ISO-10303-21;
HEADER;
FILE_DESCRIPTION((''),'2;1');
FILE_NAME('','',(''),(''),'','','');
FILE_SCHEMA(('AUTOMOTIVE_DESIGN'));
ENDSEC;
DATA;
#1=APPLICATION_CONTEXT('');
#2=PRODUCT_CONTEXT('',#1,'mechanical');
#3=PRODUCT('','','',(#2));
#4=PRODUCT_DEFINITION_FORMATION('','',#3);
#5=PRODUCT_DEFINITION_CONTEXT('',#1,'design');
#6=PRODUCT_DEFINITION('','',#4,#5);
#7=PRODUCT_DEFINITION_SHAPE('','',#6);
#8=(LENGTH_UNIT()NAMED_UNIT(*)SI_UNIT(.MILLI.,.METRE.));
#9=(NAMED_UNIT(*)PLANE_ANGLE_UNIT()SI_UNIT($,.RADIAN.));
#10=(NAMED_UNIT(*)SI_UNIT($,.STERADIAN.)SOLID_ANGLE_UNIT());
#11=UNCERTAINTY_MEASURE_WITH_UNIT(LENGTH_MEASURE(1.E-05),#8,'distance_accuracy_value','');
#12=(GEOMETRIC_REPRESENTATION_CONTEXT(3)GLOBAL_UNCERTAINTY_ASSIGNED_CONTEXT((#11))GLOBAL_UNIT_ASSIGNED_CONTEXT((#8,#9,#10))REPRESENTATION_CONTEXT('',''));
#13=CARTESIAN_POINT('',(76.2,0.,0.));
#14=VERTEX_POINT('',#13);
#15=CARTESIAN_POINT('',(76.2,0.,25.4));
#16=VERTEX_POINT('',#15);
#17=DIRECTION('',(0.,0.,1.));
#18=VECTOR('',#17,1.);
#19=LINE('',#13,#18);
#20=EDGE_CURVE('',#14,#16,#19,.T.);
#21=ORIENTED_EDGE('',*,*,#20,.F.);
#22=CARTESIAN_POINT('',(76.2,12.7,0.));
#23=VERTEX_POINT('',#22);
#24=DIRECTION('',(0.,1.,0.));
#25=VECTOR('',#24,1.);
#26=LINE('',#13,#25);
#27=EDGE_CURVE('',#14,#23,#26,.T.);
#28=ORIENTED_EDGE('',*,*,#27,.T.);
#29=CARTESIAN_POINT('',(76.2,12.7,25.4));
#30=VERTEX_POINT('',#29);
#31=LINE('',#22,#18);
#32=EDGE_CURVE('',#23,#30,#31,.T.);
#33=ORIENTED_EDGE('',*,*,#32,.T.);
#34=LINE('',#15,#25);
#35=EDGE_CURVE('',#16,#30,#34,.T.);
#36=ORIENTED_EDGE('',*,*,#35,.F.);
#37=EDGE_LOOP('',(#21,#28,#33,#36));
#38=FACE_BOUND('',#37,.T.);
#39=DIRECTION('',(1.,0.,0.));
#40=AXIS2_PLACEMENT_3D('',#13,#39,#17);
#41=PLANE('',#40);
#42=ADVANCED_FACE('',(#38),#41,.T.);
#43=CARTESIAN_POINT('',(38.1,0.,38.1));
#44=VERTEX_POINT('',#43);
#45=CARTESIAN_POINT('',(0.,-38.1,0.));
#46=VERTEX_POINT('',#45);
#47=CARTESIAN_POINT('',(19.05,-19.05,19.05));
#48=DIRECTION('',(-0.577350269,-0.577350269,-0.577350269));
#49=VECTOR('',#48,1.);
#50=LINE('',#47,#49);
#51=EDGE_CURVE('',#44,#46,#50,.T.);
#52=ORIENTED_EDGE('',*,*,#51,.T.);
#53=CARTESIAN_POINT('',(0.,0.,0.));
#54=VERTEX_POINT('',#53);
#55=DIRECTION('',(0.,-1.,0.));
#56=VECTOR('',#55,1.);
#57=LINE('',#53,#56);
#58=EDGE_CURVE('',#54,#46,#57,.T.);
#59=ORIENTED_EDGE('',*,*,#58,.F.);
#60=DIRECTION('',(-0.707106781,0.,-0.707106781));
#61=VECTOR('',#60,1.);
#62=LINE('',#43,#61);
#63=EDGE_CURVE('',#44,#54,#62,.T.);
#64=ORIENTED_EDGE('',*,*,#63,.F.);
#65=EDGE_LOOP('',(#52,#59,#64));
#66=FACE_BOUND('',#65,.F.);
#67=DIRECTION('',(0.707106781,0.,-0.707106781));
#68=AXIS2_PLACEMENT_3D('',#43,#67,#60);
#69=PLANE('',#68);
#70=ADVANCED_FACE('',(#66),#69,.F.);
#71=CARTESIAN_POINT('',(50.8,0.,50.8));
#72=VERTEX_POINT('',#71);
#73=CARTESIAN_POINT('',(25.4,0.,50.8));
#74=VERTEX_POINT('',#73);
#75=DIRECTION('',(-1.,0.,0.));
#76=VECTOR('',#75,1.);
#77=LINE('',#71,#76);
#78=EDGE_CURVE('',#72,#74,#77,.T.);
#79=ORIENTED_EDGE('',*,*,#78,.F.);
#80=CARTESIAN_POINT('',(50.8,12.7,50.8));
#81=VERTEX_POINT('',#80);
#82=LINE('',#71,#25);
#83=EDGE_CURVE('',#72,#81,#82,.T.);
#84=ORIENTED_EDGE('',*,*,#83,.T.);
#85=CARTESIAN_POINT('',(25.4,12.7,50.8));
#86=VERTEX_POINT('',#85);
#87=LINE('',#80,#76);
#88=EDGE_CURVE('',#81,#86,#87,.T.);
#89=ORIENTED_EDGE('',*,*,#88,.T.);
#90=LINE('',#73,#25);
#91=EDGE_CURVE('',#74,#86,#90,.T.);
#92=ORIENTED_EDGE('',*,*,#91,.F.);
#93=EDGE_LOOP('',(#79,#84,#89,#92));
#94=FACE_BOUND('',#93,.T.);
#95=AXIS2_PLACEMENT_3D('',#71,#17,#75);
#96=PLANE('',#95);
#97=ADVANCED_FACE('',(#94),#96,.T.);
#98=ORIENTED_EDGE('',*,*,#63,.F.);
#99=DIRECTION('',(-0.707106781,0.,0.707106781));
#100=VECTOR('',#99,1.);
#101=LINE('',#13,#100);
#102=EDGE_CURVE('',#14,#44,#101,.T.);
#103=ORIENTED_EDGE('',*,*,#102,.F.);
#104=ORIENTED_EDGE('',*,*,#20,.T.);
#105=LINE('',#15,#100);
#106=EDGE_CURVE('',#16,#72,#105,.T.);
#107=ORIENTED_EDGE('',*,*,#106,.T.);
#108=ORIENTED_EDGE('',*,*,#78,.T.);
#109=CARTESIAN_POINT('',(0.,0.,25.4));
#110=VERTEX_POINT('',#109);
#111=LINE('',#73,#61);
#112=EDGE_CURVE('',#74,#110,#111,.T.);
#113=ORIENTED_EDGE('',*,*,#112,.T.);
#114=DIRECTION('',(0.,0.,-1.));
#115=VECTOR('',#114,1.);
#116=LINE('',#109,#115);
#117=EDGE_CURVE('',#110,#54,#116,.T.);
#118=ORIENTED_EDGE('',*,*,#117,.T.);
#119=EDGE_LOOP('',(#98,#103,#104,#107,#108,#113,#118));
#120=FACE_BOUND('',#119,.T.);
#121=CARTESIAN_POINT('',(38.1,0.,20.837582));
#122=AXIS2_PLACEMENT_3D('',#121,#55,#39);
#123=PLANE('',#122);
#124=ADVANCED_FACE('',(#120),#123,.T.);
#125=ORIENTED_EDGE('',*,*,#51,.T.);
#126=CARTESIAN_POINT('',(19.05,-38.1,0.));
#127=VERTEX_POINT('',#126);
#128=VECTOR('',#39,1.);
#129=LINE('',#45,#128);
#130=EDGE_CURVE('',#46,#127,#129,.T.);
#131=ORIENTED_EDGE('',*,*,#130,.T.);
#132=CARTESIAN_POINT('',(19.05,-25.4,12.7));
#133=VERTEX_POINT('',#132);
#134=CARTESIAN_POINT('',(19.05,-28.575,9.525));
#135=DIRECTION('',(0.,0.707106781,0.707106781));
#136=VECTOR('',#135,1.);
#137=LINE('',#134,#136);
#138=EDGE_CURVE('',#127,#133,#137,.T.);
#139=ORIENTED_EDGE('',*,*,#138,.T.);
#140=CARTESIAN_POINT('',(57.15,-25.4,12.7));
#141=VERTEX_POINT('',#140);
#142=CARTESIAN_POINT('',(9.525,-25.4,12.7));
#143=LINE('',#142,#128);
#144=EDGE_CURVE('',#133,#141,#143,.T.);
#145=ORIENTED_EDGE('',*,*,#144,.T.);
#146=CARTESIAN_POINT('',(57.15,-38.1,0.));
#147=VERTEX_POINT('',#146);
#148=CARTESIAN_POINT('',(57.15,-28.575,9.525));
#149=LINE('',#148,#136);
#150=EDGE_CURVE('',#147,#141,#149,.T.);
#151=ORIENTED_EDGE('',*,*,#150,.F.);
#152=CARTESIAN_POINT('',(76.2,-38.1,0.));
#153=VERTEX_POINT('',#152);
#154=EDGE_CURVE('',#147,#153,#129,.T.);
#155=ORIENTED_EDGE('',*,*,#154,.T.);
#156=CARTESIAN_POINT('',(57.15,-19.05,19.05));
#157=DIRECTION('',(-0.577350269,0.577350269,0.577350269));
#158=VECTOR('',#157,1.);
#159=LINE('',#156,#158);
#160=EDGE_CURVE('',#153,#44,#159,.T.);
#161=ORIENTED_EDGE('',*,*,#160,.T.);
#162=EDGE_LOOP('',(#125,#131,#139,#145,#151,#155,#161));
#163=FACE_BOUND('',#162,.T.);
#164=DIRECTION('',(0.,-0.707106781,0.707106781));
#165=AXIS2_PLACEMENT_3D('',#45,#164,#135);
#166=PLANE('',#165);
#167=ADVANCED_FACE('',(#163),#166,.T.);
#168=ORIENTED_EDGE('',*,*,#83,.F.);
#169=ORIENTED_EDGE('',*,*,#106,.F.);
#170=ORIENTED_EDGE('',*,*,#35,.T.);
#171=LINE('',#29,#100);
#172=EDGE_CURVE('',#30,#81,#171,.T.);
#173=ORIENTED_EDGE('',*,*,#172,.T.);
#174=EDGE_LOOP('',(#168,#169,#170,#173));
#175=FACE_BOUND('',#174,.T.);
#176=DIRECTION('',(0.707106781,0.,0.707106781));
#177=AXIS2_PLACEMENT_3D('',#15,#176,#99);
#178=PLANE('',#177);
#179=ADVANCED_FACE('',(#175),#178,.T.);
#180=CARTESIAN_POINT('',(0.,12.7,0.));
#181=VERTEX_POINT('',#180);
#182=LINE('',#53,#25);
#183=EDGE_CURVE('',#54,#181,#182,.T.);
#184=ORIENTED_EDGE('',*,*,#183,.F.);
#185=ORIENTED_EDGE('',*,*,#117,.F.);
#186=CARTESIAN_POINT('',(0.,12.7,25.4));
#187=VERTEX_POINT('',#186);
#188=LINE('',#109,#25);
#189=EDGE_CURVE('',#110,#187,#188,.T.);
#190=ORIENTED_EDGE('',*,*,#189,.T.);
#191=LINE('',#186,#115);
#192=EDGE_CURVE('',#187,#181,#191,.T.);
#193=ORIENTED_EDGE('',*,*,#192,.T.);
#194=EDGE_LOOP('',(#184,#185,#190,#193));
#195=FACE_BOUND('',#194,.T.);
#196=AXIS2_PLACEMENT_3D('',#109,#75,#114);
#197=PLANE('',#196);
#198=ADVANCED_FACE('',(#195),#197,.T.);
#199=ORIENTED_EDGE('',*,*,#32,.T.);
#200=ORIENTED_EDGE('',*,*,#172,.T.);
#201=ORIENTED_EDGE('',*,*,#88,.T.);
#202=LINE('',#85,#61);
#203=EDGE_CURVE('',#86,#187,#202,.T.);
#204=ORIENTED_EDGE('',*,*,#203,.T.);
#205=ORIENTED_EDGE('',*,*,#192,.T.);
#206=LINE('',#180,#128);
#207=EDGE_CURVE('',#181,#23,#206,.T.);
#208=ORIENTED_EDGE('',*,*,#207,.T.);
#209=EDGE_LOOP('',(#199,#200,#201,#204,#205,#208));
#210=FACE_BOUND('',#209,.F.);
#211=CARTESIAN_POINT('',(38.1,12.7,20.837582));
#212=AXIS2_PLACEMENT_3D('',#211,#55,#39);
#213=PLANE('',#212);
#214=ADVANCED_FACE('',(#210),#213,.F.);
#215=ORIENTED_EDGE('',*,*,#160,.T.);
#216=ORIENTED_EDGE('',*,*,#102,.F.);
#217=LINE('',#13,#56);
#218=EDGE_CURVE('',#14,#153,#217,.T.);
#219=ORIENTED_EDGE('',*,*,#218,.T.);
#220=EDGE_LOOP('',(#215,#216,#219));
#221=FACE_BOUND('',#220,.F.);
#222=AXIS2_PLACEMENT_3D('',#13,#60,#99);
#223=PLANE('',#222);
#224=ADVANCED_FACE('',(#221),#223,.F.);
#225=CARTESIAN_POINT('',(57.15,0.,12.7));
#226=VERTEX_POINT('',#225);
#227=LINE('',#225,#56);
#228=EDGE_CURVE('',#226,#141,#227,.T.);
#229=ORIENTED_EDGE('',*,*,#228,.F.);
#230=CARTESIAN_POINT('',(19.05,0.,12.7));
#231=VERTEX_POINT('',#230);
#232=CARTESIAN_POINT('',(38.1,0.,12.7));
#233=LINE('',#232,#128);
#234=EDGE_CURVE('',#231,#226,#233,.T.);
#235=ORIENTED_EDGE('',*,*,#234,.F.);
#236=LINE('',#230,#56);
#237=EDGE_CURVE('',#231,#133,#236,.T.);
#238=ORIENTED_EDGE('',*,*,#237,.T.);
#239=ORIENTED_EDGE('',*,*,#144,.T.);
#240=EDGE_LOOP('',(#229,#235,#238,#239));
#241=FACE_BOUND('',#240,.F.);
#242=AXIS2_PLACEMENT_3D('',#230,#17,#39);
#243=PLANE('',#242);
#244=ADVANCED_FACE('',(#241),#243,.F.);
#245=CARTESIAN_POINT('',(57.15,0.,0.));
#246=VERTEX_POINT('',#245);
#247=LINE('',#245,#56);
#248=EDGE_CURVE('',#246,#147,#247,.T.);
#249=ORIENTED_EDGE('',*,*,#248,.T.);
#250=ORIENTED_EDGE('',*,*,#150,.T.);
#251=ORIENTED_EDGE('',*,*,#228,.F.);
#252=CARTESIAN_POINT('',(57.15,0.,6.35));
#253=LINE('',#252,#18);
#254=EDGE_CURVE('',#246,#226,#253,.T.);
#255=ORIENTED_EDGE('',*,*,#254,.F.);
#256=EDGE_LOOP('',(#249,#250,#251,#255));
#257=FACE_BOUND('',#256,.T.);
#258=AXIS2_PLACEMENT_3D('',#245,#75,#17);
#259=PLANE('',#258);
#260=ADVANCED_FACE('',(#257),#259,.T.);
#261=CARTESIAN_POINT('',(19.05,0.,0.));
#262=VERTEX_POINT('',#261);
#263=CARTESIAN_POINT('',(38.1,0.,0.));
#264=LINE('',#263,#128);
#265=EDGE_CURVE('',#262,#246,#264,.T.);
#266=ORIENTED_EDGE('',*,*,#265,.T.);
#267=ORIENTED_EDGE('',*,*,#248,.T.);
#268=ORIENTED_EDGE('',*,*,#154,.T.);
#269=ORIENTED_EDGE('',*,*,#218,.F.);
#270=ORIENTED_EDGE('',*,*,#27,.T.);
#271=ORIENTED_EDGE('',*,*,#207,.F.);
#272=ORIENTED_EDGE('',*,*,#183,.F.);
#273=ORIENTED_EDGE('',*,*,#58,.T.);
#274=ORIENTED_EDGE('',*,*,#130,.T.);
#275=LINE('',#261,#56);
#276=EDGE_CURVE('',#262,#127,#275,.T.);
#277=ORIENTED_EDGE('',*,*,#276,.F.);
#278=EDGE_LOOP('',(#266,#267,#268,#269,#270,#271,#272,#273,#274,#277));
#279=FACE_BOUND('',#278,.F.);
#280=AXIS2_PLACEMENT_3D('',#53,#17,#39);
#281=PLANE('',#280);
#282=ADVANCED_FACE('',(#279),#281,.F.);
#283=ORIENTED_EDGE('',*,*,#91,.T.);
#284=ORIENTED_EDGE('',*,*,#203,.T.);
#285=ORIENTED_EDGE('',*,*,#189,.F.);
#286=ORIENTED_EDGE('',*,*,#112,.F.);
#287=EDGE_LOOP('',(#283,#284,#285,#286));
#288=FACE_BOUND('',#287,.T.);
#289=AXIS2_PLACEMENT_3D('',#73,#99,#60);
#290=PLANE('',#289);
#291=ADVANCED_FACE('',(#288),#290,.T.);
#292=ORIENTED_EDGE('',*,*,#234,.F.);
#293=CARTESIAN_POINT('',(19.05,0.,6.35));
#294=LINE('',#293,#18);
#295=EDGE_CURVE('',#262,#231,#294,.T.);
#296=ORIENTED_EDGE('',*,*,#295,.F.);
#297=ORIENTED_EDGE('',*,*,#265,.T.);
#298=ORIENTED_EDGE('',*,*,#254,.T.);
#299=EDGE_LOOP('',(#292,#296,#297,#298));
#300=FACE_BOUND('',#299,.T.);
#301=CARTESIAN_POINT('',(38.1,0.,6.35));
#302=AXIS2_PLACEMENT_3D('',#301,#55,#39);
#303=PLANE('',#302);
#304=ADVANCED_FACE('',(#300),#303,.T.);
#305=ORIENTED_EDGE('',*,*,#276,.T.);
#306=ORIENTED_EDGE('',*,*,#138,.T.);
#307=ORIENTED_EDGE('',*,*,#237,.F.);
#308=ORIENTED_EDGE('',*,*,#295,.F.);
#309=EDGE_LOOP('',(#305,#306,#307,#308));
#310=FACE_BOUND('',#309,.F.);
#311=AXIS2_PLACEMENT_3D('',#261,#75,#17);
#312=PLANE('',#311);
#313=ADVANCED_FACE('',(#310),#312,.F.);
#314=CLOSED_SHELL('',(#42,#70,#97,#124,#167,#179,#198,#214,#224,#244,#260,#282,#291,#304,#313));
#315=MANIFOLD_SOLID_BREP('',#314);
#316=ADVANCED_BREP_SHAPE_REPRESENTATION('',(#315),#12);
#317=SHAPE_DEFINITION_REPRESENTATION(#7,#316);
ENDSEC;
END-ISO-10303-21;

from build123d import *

# Parameters (mm, degrees)
F1_DEPTH = 12.7
F3_DEPTH = 38.1
F4_W     = 38.1
F4_H     = 12.7
F5_DEPTH = 38.1
F7_DEPTH = 76.201


with BuildPart() as f1:
    # F0 (on Front) → F1 (new body)
    with BuildSketch(Plane.XZ):
        Polygon((0, 25.4), (0, 0), (76.2, 0), (76.2, 25.4), (50.8, 50.8), (25.4, 50.8), align=None)
    extrude(amount=-F1_DEPTH)

    # F2 (on Front) → F3 (join)
    with BuildSketch(Plane.XZ):
        Polygon((38.1, 38.1), (0, 0), (76.2, 0), align=None)
    extrude(amount=F3_DEPTH)

    # F4 (on Front) → F5 (cut, through all)
    with BuildSketch(Plane.XZ):
        with Locations((38.1, 6.35)):
            Rectangle(F4_W, F4_H)
    extrude(amount=F5_DEPTH, mode=Mode.SUBTRACT)

    # F6 (on Right) → F7 (cut, through all)
    with BuildSketch(Plane.YZ):
        Polygon((-38.1, 38.1), (-38.1, 0), (0, 38.1), align=None)
    extrude(amount=F7_DEPTH, mode=Mode.SUBTRACT)


solid = f1.part
